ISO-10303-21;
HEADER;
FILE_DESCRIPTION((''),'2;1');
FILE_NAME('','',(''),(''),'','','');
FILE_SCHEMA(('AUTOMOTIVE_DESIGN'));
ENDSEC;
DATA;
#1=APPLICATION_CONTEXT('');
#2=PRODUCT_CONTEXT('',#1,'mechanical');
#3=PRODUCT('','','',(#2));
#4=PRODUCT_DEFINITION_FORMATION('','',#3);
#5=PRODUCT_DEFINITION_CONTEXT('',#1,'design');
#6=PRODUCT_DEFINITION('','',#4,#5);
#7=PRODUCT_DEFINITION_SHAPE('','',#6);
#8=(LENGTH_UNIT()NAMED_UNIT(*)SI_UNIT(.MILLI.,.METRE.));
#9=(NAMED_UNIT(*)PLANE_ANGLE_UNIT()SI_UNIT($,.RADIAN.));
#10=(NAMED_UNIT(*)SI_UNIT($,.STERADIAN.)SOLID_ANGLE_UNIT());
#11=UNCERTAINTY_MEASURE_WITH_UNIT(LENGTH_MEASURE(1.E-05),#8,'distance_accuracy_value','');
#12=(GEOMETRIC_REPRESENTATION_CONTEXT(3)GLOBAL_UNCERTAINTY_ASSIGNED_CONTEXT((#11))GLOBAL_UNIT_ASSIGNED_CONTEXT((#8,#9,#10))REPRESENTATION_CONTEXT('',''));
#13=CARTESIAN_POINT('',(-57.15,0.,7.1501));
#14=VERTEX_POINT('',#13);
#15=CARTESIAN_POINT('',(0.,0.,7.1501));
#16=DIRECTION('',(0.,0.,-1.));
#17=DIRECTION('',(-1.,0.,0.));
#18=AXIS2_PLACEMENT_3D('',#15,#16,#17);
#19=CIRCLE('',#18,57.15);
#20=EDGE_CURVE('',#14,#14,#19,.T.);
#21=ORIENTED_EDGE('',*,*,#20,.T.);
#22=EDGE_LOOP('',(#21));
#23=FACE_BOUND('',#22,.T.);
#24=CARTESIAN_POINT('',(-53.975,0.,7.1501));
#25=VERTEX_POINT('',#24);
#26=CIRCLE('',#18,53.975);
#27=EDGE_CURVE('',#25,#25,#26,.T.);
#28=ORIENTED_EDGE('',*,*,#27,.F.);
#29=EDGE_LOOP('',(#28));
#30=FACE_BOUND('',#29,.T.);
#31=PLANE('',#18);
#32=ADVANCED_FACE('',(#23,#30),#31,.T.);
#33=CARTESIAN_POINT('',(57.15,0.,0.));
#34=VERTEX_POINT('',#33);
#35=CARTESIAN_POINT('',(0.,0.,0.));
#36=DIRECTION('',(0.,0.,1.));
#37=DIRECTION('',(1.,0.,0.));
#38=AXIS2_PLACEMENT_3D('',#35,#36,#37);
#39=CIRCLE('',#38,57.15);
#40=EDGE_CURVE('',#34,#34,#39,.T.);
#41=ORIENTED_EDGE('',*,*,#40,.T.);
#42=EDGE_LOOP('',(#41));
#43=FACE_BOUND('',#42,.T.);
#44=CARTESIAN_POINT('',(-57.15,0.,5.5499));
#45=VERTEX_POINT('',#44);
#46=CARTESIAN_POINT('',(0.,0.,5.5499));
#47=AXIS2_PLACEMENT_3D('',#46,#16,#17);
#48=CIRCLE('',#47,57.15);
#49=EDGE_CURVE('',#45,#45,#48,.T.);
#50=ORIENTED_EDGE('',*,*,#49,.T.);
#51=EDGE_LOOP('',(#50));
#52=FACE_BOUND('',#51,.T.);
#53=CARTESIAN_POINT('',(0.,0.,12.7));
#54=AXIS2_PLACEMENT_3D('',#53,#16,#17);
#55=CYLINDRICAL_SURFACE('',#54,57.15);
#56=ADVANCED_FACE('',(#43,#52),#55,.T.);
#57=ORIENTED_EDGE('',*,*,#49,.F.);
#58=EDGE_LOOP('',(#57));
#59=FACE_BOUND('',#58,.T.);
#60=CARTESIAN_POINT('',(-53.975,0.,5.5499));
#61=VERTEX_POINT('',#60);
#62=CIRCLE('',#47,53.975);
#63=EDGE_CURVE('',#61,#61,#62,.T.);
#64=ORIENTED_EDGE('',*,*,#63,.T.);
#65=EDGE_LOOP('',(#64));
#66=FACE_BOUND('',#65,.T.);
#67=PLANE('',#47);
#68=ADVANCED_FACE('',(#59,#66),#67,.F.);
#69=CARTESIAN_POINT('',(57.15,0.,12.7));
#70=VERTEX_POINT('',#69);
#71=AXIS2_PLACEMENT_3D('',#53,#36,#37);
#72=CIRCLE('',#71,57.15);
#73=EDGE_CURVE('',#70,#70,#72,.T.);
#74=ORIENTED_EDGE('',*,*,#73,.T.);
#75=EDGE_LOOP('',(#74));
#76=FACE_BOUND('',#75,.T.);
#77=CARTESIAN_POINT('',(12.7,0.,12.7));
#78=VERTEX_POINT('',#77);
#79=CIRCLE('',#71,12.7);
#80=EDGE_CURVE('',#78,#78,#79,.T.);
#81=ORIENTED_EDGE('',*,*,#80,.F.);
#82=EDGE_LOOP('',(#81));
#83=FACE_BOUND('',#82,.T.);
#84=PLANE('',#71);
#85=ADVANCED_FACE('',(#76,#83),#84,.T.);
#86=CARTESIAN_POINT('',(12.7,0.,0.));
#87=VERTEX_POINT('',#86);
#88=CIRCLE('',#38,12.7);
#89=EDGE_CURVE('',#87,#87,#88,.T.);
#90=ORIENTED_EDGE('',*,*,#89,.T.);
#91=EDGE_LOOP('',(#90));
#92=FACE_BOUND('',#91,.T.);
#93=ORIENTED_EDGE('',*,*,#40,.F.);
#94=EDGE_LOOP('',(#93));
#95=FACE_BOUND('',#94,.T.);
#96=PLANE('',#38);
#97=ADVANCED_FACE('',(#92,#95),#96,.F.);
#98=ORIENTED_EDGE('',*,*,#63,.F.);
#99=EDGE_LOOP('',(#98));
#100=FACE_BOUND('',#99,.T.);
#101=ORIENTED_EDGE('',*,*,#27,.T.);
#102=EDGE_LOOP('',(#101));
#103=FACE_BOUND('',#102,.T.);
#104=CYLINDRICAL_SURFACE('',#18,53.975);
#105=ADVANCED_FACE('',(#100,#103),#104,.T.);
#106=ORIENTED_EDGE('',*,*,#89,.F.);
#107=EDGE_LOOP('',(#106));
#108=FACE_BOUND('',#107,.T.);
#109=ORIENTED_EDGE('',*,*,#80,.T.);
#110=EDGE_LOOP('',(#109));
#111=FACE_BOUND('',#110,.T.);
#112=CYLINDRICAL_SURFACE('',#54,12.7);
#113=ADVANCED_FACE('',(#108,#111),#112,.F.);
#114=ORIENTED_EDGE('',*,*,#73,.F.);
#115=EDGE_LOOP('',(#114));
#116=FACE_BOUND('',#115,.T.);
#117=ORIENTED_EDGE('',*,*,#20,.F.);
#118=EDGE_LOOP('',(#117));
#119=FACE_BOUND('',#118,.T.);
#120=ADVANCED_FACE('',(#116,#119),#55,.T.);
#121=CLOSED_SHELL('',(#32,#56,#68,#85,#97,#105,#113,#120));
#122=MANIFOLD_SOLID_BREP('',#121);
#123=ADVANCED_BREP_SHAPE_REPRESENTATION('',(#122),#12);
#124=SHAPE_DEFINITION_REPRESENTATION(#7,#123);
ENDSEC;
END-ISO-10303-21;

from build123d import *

# Parameters (mm, degrees)
SKETCH1_R           = 57.15
SKETCH1_R_2         = 12.7
BOSS_EXTRUDE1_DEPTH = 12.7
SKETCH3_R           = 57.15
SKETCH3_R_2         = 53.975
CUT_EXTRUDE1_DEPTH  = 0.8001


with BuildPart() as part:
    # Sketch1 → Boss-Extrude1 (new body)
    with BuildSketch(Plane.XY):
        Circle(SKETCH1_R)
        Circle(SKETCH1_R_2, mode=Mode.SUBTRACT)
    extrude(amount=BOSS_EXTRUDE1_DEPTH)

    # Sketch3 → Cut-Extrude1 (cut, symmetric)
    with BuildSketch(Plane(origin=(0, 0, 6.35), x_dir=(-1, 0, 0), z_dir=(0, 0, -1))):
        Circle(SKETCH3_R)
        Circle(SKETCH3_R_2, mode=Mode.SUBTRACT)
    extrude(amount=CUT_EXTRUDE1_DEPTH, both=True, mode=Mode.SUBTRACT)


solid = part.part
